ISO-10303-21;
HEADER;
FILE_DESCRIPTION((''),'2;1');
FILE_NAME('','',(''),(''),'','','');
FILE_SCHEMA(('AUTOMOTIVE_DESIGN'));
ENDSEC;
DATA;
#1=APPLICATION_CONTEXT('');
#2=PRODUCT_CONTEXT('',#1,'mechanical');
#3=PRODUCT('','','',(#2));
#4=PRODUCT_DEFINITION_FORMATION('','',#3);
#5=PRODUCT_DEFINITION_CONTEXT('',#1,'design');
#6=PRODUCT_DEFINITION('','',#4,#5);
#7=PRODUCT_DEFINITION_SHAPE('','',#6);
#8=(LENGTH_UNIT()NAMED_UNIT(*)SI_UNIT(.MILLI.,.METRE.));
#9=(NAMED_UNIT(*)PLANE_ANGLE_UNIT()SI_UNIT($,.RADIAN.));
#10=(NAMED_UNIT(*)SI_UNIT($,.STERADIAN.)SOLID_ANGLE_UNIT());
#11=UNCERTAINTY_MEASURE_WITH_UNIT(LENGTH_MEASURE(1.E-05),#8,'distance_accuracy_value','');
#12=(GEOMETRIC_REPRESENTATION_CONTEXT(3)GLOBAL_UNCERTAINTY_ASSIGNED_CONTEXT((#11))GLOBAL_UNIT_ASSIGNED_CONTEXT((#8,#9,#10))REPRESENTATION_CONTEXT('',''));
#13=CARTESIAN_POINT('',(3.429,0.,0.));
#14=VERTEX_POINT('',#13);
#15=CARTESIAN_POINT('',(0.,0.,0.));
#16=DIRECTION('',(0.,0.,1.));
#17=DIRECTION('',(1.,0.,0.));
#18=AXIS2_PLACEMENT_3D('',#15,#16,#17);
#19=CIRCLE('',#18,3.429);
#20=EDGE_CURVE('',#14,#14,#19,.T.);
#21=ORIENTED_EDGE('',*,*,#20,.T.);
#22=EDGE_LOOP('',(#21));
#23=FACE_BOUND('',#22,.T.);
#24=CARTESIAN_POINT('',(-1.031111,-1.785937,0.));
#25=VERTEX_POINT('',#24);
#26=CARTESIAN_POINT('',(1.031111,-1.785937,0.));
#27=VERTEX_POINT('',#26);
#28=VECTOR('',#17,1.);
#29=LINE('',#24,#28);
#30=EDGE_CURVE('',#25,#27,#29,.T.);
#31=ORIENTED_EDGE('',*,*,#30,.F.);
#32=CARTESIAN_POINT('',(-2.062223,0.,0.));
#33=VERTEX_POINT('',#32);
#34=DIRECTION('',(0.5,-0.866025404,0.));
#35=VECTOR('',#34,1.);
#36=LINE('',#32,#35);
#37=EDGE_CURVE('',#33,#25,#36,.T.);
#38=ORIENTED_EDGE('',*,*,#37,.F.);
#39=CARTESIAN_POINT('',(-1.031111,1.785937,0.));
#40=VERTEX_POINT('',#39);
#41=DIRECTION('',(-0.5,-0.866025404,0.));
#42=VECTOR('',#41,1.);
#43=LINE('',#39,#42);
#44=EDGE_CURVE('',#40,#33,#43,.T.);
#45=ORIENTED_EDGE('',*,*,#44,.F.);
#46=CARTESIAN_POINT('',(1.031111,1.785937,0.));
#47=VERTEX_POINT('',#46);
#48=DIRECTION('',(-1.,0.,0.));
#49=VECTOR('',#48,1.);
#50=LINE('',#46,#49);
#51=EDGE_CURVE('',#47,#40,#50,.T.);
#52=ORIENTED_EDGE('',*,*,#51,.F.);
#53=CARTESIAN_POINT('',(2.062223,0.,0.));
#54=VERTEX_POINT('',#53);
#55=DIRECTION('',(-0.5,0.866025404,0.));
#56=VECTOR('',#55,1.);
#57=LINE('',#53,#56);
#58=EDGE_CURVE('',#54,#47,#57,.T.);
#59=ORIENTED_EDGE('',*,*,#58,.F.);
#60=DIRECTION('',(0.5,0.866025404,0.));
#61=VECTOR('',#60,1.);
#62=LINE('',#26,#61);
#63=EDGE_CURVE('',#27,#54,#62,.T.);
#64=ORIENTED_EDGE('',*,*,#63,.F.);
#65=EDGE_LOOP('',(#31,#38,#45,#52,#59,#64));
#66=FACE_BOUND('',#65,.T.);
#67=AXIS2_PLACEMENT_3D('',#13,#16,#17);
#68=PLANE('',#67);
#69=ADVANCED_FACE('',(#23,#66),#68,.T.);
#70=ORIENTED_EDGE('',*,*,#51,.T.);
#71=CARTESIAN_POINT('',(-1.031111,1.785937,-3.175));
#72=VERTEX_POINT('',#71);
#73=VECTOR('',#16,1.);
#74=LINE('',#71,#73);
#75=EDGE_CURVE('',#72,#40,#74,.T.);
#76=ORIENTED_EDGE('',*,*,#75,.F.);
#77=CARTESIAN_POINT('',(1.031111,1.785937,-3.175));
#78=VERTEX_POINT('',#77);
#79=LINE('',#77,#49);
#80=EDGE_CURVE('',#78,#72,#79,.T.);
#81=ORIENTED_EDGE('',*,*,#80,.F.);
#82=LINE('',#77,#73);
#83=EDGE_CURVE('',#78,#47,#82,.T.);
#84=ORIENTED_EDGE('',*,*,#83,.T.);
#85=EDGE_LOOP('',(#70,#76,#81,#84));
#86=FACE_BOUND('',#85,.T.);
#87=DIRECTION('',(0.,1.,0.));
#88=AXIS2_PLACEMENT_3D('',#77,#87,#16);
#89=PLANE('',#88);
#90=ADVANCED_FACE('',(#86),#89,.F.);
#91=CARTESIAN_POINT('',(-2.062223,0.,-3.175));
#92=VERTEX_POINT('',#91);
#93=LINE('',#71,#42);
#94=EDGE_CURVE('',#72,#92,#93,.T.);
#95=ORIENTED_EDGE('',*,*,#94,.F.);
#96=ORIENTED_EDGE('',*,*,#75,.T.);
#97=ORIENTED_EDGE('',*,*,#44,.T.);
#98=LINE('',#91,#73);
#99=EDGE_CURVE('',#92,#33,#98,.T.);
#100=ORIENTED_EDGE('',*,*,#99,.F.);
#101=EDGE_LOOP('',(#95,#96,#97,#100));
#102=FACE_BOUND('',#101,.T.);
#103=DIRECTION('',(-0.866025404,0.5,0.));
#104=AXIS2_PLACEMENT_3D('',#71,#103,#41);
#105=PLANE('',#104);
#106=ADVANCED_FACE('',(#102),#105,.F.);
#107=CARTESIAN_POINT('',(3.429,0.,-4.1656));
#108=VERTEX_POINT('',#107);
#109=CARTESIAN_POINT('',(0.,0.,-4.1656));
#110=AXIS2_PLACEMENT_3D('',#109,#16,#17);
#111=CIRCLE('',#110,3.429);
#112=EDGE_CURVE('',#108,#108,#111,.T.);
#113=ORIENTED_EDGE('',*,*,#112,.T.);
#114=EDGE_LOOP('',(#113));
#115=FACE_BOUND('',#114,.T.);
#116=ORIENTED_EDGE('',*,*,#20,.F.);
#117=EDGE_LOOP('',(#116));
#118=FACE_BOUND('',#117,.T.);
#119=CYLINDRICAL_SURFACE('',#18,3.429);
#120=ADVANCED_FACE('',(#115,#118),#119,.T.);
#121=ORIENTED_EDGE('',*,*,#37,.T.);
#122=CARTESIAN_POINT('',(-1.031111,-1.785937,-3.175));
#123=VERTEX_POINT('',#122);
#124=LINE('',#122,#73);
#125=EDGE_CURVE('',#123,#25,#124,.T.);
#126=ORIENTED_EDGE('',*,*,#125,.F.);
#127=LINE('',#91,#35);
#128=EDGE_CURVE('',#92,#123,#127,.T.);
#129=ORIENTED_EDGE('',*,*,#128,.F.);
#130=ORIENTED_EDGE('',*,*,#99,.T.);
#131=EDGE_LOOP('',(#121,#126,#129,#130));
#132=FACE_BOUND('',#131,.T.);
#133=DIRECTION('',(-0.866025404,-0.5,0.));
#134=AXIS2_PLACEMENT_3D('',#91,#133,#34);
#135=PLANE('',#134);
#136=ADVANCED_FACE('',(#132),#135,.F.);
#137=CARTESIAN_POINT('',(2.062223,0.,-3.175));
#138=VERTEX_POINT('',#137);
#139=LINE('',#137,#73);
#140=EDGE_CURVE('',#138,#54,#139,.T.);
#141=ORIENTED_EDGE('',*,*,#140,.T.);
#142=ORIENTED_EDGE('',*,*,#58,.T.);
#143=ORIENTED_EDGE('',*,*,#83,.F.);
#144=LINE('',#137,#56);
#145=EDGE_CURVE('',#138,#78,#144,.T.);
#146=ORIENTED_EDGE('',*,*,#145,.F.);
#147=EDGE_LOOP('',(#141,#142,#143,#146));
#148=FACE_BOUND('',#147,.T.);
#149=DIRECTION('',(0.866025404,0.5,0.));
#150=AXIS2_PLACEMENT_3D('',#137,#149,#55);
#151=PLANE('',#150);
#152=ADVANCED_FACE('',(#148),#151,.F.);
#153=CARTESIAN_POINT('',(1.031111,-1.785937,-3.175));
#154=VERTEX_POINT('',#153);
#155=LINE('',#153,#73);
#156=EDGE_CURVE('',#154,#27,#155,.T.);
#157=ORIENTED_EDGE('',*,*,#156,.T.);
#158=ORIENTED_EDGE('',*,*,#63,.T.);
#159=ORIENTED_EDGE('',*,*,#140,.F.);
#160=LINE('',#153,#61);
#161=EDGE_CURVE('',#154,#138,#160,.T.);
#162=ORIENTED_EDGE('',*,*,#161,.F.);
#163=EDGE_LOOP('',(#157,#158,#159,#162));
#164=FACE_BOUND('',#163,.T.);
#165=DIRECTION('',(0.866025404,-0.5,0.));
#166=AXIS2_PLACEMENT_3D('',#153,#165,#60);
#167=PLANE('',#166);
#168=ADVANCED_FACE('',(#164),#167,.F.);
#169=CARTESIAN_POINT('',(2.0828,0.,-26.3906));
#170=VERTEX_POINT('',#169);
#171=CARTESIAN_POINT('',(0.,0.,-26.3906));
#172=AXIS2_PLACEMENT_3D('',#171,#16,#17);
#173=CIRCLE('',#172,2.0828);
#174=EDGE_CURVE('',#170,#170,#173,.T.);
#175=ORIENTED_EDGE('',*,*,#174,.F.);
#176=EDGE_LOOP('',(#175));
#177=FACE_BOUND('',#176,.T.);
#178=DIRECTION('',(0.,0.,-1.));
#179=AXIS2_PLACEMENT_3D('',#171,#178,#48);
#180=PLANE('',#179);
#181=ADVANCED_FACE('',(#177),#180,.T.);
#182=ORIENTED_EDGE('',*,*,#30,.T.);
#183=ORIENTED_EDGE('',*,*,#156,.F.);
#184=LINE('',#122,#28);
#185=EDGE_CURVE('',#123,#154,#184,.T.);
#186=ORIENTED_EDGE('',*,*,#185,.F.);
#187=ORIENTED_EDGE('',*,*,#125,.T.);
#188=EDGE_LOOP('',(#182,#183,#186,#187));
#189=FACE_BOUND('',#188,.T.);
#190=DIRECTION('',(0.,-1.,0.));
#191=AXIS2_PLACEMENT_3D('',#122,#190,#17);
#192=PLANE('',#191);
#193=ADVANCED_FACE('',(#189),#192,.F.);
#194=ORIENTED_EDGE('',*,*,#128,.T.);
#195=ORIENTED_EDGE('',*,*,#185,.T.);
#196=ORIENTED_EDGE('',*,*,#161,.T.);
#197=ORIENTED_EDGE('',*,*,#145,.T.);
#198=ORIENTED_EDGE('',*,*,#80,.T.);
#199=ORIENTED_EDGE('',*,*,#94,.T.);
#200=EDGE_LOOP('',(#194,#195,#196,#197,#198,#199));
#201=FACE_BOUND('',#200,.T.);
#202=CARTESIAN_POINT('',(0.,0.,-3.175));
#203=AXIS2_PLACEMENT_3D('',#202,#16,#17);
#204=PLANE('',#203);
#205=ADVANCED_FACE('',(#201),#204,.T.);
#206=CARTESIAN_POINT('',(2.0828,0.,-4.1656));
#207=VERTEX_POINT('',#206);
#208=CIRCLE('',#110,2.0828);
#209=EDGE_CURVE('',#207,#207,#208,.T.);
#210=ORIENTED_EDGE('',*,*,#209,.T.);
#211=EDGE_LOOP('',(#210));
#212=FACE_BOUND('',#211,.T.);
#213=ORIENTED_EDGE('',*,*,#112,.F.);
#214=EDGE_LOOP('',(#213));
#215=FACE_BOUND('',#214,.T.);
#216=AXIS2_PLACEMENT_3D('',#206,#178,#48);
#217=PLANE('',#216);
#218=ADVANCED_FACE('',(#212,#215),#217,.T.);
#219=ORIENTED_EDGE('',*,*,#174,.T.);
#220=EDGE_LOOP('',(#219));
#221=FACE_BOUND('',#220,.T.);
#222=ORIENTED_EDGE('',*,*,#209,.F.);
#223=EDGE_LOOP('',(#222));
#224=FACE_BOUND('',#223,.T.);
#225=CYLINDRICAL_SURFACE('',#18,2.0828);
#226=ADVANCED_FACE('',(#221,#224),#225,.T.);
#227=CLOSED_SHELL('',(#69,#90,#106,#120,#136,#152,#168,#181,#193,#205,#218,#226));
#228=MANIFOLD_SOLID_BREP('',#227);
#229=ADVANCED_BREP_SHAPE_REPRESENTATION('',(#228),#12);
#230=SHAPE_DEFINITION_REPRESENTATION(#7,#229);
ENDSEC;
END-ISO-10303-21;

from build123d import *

# Parameters (mm, degrees)
F_9_64_ALLEN_DEPTH = 3.175


with BuildPart() as part:
    # Sketch1 → Revolve1 (revolve)
    with BuildSketch(Plane(origin=(0, 0, 0), x_dir=(1, 0, 0), z_dir=(0, 1, 0))):
        Polygon((0, 0), (0, 26.3906), (2.0828, 26.3906), (2.0828, 4.1656), (3.429, 4.1656), (3.429, 0), align=None)
    revolve(axis=Axis((0, 0, 0), (0, 0, -1)))

    # Sketch2 → 9-64 allen (cut)
    with BuildSketch(Plane.XY):
        Polygon((2.062222993, 0), (1.031111496, 1.7859375), (-1.031111496, 1.7859375), (-2.062222993, 0), (-1.031111496, -1.7859375), (1.031111496, -1.7859375), align=None)
    extrude(amount=-F_9_64_ALLEN_DEPTH, mode=Mode.SUBTRACT)


solid = part.part
